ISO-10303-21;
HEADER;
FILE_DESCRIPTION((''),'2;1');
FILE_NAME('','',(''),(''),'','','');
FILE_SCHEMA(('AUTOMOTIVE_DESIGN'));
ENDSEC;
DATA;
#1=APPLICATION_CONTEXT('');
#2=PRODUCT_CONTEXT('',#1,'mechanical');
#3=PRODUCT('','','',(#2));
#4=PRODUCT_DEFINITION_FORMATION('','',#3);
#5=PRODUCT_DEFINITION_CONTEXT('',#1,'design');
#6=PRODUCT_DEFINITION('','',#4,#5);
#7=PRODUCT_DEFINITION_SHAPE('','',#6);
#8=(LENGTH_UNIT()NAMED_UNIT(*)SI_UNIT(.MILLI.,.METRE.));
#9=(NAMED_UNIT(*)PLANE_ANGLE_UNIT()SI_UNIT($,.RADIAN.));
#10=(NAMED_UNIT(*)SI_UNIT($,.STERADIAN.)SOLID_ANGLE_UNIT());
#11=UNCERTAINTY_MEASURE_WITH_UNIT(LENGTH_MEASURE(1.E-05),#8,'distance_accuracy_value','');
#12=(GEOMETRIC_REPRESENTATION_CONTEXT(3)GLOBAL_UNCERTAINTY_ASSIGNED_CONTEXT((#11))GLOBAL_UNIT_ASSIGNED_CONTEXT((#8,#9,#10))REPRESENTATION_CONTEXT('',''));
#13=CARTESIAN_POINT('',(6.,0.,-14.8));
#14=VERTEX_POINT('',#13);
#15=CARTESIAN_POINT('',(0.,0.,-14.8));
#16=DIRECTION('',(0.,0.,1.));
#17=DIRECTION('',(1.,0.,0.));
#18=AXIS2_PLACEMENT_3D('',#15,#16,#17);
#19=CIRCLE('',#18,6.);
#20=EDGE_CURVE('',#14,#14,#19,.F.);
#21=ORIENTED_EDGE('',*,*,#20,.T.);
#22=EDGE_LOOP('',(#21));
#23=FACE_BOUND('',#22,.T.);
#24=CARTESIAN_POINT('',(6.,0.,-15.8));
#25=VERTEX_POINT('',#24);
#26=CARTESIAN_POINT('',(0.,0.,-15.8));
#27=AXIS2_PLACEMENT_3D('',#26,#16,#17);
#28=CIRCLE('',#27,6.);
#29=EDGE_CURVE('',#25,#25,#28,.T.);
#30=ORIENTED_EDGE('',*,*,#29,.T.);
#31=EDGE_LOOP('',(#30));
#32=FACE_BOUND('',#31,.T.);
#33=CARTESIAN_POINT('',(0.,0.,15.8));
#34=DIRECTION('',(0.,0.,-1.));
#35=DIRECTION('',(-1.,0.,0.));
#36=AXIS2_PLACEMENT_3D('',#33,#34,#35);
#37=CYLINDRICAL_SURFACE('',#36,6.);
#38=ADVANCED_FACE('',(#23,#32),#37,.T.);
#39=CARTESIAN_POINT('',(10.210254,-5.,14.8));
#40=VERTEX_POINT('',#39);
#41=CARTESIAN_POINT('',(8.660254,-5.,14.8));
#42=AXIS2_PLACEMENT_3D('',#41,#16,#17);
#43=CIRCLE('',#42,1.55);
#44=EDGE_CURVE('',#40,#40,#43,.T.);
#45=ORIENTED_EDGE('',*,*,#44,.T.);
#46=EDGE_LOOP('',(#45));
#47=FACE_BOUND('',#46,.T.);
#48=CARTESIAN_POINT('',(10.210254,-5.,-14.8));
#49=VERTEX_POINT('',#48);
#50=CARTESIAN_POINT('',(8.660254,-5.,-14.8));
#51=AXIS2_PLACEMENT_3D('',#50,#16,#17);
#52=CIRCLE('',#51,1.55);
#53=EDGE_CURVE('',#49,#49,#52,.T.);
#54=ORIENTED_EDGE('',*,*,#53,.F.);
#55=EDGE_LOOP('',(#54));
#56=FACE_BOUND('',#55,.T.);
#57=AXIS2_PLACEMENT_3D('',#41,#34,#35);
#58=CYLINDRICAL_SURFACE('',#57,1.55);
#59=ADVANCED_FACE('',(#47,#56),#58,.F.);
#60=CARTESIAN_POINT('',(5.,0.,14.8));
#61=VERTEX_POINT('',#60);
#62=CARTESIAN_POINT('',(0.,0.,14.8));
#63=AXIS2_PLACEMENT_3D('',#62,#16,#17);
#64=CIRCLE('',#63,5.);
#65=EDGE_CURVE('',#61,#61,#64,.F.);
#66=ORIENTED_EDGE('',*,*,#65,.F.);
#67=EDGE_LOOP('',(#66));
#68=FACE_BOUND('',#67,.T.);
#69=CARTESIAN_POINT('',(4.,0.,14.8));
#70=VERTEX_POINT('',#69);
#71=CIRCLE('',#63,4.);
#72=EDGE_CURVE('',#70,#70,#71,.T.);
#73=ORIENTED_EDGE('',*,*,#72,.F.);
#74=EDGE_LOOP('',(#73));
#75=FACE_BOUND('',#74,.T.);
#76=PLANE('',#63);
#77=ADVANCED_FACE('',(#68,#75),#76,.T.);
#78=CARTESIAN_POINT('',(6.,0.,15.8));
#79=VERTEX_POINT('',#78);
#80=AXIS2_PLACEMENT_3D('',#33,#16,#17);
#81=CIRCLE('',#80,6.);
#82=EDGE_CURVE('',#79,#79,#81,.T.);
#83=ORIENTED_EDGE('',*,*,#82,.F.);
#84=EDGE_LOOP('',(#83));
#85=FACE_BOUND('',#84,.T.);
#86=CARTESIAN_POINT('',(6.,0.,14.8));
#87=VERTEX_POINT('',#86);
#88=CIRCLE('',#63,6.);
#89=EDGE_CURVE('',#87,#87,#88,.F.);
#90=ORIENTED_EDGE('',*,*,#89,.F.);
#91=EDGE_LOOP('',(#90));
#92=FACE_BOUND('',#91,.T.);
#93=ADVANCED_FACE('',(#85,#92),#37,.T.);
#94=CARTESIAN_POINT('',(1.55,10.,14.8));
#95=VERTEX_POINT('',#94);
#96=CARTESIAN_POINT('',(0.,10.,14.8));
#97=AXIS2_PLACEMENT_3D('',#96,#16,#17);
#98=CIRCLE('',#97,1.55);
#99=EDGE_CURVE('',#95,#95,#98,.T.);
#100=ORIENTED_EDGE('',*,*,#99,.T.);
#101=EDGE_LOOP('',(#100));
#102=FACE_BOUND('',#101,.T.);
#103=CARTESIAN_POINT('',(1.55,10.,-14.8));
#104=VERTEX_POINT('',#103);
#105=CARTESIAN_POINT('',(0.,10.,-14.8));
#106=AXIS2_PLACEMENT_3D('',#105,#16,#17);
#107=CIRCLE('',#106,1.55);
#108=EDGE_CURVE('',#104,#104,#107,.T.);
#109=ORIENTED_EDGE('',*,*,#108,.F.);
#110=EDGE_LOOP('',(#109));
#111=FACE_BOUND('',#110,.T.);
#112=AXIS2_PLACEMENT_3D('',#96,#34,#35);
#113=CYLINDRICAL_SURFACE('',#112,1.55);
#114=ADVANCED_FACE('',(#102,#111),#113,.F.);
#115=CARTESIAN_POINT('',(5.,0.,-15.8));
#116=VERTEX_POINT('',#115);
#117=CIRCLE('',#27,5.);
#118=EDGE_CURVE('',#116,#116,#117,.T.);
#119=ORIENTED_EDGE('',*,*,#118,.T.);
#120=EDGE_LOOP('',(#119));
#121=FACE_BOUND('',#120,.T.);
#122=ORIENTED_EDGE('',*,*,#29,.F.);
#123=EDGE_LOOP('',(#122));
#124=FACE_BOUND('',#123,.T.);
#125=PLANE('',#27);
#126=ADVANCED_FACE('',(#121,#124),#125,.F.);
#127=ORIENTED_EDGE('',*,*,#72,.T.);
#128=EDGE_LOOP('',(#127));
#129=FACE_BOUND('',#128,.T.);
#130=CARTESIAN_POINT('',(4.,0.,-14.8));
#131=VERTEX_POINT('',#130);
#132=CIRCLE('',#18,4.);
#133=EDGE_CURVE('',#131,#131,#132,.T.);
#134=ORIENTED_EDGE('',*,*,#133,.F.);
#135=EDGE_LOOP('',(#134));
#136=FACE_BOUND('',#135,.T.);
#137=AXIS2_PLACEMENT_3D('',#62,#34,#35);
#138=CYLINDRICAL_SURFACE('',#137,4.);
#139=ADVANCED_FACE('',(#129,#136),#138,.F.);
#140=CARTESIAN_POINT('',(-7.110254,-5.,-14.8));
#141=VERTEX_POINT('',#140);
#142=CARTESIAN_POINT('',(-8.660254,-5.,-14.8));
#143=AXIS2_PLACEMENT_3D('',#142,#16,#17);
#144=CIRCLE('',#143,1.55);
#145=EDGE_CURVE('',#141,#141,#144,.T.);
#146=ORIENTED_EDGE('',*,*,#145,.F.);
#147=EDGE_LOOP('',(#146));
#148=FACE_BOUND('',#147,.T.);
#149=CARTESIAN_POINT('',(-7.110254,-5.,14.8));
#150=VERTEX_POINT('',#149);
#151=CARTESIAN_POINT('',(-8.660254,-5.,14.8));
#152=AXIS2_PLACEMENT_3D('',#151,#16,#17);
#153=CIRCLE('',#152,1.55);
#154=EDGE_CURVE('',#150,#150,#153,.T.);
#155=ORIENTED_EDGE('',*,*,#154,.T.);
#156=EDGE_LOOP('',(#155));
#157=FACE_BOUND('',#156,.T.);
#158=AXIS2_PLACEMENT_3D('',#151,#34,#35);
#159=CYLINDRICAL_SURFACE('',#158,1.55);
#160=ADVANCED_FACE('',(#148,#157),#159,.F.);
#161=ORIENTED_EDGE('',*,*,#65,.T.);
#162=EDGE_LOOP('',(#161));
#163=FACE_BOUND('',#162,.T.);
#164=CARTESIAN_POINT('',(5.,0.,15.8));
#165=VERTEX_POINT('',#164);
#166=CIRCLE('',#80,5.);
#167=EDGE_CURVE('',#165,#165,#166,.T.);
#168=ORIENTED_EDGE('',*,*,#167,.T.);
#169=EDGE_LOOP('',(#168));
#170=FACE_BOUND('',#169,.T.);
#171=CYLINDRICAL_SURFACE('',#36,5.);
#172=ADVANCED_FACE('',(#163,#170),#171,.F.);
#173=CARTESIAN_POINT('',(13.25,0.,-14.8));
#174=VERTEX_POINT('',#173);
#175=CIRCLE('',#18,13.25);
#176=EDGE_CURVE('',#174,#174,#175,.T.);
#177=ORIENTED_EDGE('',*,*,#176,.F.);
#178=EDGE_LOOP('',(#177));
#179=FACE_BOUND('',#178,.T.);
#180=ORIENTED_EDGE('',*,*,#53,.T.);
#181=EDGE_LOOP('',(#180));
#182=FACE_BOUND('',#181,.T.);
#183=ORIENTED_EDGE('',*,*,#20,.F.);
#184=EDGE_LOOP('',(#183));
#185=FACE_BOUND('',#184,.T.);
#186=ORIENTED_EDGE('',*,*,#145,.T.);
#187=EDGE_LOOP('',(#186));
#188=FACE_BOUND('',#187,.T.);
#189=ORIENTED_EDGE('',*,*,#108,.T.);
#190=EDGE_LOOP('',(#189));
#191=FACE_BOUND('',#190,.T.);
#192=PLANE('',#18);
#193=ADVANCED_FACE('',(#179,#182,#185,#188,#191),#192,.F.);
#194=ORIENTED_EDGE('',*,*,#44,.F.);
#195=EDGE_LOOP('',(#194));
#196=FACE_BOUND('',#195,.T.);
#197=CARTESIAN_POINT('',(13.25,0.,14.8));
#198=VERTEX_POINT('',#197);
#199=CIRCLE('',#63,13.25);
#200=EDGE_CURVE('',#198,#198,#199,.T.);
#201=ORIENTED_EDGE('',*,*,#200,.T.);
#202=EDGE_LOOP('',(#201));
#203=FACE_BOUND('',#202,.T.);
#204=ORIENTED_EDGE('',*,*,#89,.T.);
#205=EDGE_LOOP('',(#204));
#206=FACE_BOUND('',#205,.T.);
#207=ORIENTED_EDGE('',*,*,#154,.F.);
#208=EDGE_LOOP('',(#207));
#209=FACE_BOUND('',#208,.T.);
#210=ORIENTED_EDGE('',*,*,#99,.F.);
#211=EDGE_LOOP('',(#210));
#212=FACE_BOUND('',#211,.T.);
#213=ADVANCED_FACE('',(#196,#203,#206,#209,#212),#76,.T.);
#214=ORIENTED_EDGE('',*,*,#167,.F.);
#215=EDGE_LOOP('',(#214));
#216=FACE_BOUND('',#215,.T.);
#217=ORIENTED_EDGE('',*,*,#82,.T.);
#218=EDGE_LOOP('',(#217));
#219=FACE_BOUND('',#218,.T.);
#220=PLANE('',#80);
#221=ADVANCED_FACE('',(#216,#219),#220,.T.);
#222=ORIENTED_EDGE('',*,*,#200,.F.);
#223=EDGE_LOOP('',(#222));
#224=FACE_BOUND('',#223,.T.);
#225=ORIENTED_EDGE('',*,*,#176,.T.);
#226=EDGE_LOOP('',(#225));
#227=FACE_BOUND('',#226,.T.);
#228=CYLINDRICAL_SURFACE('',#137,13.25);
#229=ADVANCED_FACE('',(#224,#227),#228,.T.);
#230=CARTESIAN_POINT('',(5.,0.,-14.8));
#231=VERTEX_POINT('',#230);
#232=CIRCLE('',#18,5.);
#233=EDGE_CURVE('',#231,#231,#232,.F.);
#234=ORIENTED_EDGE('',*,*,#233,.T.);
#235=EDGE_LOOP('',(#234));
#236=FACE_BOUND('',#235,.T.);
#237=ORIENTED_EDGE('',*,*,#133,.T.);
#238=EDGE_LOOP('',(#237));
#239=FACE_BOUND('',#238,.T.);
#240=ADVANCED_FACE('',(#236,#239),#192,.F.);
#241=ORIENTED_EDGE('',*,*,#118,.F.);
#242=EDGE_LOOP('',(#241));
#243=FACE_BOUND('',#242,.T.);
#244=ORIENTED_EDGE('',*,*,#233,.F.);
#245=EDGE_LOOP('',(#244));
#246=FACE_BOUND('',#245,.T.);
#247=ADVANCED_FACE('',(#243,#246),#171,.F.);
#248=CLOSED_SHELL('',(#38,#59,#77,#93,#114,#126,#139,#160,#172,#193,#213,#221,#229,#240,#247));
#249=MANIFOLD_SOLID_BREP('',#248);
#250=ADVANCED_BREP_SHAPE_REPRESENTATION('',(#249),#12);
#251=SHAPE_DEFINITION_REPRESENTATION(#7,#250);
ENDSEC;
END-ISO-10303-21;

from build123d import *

# Parameters (mm, degrees)
SKETCH1_R           = 13.25
SKETCH1_R_2         = 1.55
SKETCH1_R_3         = 4
BOSS_EXTRUDE1_DEPTH = 14.8
SKETCH1_3_R         = 6
SKETCH1_3_R_2       = 5
EXTRUDE_THIN1_DEPTH = 15.8


with BuildPart() as part:
    # Sketch1 → Boss-Extrude1 (new, symmetric)
    with BuildSketch(Plane.XY):
        Circle(SKETCH1_R)
        with Locations((-8.660254038, -5)):
            Circle(SKETCH1_R_2, mode=Mode.SUBTRACT)
        with Locations((8.660254038, -5)):
            Circle(SKETCH1_R_2, mode=Mode.SUBTRACT)
        with Locations((0, 10)):
            Circle(SKETCH1_R_2, mode=Mode.SUBTRACT)
        Circle(SKETCH1_R_3, mode=Mode.SUBTRACT)
    extrude(amount=BOSS_EXTRUDE1_DEPTH, both=True)

    # Sketch1<3> → Extrude-Thin1 (add, symmetric)
    with BuildSketch(Plane.XY):
        Circle(SKETCH1_3_R)
        Circle(SKETCH1_3_R_2, mode=Mode.SUBTRACT)
    extrude(amount=EXTRUDE_THIN1_DEPTH, both=True)


solid = part.part
